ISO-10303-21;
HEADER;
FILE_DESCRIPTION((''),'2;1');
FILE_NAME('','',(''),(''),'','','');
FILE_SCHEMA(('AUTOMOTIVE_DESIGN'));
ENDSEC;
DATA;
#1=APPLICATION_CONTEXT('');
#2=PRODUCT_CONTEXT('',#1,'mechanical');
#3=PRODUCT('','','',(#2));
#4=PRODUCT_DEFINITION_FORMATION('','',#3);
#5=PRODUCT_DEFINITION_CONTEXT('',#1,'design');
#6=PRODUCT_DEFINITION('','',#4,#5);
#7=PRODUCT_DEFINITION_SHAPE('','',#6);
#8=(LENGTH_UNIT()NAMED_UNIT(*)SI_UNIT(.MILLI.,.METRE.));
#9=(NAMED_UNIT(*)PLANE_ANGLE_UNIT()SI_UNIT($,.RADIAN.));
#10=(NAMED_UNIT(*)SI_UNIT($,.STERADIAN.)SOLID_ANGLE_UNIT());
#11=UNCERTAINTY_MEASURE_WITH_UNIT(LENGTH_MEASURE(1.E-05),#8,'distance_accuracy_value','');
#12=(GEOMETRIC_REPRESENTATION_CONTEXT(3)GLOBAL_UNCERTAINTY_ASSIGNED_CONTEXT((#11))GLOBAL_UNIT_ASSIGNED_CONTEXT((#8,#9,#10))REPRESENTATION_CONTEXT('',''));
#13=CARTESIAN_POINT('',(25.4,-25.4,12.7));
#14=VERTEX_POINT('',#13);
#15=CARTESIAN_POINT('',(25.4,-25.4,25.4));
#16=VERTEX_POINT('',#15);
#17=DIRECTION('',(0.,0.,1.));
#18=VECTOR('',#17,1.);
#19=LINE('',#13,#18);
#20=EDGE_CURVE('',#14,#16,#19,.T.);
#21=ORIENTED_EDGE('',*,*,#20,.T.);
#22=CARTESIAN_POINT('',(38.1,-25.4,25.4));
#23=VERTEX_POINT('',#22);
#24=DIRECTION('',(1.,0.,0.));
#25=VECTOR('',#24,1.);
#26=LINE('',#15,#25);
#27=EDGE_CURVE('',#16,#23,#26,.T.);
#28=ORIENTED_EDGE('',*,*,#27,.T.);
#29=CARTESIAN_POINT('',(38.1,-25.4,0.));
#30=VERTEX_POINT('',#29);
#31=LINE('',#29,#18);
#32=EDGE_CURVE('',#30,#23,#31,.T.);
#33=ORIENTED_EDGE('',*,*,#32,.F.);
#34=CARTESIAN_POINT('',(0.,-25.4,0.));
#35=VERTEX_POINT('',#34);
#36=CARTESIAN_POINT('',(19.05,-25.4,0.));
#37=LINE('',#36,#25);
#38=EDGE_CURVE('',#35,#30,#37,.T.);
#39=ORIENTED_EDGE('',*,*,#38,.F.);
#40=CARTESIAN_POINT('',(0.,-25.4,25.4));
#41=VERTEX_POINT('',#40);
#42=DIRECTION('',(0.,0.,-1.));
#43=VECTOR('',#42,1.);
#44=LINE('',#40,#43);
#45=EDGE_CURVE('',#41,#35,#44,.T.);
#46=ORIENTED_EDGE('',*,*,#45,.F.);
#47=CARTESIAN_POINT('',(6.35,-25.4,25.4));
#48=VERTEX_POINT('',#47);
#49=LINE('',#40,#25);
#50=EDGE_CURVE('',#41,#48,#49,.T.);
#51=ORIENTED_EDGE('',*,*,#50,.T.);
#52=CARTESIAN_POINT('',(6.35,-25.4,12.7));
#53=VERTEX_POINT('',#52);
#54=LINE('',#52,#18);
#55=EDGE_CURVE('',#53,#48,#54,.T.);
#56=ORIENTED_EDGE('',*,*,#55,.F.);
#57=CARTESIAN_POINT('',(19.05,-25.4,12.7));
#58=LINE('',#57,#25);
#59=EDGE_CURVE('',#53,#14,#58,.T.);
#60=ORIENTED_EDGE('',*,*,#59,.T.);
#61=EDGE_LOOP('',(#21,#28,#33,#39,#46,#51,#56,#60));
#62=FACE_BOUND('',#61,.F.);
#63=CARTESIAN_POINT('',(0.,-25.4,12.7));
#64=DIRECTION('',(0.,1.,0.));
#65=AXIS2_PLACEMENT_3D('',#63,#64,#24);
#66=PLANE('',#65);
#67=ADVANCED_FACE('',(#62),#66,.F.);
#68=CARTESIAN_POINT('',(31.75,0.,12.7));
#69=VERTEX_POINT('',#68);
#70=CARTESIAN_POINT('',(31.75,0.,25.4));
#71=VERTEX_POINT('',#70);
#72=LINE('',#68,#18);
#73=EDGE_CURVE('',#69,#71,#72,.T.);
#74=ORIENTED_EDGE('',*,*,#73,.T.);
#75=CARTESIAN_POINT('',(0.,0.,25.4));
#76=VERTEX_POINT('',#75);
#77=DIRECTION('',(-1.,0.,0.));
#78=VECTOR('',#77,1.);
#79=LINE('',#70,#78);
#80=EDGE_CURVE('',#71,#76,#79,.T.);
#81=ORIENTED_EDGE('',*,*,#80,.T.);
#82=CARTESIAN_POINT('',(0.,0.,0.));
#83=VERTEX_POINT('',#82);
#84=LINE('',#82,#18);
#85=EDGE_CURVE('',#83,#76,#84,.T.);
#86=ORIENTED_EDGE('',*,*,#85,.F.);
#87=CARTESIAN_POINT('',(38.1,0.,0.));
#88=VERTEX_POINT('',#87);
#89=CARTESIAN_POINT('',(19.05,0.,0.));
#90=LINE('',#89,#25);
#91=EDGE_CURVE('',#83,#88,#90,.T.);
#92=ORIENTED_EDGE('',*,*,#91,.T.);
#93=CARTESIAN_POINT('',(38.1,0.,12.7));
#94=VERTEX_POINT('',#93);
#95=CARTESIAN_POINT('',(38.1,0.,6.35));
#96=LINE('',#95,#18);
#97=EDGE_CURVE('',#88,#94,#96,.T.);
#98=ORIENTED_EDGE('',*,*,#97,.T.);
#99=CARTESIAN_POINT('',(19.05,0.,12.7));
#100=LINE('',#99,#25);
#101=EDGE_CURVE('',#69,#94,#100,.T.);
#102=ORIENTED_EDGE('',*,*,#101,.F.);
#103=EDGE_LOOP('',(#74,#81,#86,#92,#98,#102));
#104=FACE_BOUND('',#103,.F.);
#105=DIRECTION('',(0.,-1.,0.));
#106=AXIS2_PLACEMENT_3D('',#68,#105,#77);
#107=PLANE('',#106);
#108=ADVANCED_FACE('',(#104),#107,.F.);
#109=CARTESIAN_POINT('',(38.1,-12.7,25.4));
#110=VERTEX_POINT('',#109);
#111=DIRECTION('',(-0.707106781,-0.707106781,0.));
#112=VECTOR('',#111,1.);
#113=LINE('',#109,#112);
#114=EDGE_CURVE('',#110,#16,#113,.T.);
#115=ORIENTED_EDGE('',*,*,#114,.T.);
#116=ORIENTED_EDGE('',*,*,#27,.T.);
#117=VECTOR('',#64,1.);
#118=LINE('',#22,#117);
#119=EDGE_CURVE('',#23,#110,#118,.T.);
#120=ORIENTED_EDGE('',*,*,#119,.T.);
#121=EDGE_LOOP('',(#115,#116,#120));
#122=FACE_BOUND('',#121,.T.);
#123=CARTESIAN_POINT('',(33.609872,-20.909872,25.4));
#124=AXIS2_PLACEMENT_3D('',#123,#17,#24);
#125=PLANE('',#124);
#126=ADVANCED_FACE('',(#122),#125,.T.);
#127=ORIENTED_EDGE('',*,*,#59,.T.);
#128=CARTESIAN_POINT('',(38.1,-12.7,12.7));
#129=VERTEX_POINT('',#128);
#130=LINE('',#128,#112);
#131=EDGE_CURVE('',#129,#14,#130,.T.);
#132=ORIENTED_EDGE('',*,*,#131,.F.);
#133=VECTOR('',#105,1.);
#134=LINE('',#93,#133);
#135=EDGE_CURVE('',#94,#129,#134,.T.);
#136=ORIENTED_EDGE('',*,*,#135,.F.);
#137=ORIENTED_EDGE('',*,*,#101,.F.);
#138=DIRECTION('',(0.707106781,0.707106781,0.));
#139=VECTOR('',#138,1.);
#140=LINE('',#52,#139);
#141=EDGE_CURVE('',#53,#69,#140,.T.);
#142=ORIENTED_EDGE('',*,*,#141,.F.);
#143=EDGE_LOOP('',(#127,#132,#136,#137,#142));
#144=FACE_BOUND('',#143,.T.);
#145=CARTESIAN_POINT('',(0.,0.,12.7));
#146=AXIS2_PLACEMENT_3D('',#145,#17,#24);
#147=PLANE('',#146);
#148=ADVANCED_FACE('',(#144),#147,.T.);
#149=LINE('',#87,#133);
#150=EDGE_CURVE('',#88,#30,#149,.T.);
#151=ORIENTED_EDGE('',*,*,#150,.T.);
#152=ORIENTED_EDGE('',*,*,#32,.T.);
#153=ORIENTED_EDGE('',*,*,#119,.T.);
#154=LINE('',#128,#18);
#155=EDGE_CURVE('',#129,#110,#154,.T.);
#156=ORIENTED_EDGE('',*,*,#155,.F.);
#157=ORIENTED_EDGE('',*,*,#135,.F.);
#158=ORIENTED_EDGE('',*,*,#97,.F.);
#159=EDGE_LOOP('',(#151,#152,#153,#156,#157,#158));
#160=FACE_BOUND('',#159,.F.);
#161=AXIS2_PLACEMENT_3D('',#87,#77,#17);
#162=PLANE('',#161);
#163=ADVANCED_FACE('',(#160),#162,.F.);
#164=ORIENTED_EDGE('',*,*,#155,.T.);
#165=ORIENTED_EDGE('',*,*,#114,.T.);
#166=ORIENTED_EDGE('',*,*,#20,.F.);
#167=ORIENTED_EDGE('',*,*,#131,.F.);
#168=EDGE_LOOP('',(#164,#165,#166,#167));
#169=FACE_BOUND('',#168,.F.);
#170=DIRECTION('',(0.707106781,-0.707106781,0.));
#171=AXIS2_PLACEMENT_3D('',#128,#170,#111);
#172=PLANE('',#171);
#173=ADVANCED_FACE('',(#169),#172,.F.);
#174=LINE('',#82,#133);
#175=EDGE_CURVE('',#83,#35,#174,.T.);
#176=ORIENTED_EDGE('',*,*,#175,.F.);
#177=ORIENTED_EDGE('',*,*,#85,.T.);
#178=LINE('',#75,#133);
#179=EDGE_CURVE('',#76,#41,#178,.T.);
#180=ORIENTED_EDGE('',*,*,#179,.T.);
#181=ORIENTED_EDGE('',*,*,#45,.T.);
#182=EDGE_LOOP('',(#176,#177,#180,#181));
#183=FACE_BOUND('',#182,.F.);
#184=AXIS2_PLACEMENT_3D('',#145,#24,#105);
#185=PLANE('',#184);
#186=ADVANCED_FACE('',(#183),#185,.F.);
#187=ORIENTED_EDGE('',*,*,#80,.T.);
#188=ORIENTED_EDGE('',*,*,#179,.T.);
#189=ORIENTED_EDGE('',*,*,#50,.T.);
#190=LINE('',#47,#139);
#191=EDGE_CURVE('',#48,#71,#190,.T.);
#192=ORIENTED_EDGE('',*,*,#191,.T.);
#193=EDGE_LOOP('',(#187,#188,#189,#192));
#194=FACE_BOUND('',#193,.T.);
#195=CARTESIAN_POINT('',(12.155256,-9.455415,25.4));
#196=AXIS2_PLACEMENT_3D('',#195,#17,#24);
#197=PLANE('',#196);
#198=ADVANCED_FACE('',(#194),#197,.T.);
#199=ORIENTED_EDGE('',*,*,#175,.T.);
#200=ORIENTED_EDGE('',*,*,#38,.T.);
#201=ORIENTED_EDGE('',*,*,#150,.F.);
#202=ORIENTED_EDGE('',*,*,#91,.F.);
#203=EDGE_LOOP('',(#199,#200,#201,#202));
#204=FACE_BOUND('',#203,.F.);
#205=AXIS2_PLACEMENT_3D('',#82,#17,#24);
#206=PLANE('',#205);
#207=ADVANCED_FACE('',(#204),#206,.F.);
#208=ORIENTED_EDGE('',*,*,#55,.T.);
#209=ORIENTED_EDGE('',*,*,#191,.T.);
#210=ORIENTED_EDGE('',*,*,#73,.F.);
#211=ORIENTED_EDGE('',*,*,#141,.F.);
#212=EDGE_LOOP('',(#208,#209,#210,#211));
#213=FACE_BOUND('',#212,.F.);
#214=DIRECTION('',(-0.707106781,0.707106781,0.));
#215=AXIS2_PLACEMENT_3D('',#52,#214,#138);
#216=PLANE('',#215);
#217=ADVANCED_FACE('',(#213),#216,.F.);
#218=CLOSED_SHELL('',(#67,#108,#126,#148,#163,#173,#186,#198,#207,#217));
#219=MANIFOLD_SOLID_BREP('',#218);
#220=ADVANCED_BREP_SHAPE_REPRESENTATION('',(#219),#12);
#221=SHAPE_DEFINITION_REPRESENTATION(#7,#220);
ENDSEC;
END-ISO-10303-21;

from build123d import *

# Parameters (mm, degrees)
F0_W     = 38.1
F0_H     = 12.7
F1_DEPTH = 25.4
F3_DEPTH = 12.7


with BuildPart() as f1:
    # F0 (on Front) → F1 (new body)
    with BuildSketch(Plane.XZ):
        with Locations((19.05, 6.35)):
            Rectangle(F0_W, F0_H)
    extrude(amount=F1_DEPTH)

    # F2 (on face) → F3 (join)
    with BuildSketch(Plane.XY.offset(12.7)):
        Polygon((6.35, -25.4), (31.75, 0), (0, 0), (0, -25.4), align=None)
        Polygon((38.1, -12.7), (25.4, -25.4), (38.1, -25.4), align=None)
    extrude(amount=F3_DEPTH)


solid = f1.part
